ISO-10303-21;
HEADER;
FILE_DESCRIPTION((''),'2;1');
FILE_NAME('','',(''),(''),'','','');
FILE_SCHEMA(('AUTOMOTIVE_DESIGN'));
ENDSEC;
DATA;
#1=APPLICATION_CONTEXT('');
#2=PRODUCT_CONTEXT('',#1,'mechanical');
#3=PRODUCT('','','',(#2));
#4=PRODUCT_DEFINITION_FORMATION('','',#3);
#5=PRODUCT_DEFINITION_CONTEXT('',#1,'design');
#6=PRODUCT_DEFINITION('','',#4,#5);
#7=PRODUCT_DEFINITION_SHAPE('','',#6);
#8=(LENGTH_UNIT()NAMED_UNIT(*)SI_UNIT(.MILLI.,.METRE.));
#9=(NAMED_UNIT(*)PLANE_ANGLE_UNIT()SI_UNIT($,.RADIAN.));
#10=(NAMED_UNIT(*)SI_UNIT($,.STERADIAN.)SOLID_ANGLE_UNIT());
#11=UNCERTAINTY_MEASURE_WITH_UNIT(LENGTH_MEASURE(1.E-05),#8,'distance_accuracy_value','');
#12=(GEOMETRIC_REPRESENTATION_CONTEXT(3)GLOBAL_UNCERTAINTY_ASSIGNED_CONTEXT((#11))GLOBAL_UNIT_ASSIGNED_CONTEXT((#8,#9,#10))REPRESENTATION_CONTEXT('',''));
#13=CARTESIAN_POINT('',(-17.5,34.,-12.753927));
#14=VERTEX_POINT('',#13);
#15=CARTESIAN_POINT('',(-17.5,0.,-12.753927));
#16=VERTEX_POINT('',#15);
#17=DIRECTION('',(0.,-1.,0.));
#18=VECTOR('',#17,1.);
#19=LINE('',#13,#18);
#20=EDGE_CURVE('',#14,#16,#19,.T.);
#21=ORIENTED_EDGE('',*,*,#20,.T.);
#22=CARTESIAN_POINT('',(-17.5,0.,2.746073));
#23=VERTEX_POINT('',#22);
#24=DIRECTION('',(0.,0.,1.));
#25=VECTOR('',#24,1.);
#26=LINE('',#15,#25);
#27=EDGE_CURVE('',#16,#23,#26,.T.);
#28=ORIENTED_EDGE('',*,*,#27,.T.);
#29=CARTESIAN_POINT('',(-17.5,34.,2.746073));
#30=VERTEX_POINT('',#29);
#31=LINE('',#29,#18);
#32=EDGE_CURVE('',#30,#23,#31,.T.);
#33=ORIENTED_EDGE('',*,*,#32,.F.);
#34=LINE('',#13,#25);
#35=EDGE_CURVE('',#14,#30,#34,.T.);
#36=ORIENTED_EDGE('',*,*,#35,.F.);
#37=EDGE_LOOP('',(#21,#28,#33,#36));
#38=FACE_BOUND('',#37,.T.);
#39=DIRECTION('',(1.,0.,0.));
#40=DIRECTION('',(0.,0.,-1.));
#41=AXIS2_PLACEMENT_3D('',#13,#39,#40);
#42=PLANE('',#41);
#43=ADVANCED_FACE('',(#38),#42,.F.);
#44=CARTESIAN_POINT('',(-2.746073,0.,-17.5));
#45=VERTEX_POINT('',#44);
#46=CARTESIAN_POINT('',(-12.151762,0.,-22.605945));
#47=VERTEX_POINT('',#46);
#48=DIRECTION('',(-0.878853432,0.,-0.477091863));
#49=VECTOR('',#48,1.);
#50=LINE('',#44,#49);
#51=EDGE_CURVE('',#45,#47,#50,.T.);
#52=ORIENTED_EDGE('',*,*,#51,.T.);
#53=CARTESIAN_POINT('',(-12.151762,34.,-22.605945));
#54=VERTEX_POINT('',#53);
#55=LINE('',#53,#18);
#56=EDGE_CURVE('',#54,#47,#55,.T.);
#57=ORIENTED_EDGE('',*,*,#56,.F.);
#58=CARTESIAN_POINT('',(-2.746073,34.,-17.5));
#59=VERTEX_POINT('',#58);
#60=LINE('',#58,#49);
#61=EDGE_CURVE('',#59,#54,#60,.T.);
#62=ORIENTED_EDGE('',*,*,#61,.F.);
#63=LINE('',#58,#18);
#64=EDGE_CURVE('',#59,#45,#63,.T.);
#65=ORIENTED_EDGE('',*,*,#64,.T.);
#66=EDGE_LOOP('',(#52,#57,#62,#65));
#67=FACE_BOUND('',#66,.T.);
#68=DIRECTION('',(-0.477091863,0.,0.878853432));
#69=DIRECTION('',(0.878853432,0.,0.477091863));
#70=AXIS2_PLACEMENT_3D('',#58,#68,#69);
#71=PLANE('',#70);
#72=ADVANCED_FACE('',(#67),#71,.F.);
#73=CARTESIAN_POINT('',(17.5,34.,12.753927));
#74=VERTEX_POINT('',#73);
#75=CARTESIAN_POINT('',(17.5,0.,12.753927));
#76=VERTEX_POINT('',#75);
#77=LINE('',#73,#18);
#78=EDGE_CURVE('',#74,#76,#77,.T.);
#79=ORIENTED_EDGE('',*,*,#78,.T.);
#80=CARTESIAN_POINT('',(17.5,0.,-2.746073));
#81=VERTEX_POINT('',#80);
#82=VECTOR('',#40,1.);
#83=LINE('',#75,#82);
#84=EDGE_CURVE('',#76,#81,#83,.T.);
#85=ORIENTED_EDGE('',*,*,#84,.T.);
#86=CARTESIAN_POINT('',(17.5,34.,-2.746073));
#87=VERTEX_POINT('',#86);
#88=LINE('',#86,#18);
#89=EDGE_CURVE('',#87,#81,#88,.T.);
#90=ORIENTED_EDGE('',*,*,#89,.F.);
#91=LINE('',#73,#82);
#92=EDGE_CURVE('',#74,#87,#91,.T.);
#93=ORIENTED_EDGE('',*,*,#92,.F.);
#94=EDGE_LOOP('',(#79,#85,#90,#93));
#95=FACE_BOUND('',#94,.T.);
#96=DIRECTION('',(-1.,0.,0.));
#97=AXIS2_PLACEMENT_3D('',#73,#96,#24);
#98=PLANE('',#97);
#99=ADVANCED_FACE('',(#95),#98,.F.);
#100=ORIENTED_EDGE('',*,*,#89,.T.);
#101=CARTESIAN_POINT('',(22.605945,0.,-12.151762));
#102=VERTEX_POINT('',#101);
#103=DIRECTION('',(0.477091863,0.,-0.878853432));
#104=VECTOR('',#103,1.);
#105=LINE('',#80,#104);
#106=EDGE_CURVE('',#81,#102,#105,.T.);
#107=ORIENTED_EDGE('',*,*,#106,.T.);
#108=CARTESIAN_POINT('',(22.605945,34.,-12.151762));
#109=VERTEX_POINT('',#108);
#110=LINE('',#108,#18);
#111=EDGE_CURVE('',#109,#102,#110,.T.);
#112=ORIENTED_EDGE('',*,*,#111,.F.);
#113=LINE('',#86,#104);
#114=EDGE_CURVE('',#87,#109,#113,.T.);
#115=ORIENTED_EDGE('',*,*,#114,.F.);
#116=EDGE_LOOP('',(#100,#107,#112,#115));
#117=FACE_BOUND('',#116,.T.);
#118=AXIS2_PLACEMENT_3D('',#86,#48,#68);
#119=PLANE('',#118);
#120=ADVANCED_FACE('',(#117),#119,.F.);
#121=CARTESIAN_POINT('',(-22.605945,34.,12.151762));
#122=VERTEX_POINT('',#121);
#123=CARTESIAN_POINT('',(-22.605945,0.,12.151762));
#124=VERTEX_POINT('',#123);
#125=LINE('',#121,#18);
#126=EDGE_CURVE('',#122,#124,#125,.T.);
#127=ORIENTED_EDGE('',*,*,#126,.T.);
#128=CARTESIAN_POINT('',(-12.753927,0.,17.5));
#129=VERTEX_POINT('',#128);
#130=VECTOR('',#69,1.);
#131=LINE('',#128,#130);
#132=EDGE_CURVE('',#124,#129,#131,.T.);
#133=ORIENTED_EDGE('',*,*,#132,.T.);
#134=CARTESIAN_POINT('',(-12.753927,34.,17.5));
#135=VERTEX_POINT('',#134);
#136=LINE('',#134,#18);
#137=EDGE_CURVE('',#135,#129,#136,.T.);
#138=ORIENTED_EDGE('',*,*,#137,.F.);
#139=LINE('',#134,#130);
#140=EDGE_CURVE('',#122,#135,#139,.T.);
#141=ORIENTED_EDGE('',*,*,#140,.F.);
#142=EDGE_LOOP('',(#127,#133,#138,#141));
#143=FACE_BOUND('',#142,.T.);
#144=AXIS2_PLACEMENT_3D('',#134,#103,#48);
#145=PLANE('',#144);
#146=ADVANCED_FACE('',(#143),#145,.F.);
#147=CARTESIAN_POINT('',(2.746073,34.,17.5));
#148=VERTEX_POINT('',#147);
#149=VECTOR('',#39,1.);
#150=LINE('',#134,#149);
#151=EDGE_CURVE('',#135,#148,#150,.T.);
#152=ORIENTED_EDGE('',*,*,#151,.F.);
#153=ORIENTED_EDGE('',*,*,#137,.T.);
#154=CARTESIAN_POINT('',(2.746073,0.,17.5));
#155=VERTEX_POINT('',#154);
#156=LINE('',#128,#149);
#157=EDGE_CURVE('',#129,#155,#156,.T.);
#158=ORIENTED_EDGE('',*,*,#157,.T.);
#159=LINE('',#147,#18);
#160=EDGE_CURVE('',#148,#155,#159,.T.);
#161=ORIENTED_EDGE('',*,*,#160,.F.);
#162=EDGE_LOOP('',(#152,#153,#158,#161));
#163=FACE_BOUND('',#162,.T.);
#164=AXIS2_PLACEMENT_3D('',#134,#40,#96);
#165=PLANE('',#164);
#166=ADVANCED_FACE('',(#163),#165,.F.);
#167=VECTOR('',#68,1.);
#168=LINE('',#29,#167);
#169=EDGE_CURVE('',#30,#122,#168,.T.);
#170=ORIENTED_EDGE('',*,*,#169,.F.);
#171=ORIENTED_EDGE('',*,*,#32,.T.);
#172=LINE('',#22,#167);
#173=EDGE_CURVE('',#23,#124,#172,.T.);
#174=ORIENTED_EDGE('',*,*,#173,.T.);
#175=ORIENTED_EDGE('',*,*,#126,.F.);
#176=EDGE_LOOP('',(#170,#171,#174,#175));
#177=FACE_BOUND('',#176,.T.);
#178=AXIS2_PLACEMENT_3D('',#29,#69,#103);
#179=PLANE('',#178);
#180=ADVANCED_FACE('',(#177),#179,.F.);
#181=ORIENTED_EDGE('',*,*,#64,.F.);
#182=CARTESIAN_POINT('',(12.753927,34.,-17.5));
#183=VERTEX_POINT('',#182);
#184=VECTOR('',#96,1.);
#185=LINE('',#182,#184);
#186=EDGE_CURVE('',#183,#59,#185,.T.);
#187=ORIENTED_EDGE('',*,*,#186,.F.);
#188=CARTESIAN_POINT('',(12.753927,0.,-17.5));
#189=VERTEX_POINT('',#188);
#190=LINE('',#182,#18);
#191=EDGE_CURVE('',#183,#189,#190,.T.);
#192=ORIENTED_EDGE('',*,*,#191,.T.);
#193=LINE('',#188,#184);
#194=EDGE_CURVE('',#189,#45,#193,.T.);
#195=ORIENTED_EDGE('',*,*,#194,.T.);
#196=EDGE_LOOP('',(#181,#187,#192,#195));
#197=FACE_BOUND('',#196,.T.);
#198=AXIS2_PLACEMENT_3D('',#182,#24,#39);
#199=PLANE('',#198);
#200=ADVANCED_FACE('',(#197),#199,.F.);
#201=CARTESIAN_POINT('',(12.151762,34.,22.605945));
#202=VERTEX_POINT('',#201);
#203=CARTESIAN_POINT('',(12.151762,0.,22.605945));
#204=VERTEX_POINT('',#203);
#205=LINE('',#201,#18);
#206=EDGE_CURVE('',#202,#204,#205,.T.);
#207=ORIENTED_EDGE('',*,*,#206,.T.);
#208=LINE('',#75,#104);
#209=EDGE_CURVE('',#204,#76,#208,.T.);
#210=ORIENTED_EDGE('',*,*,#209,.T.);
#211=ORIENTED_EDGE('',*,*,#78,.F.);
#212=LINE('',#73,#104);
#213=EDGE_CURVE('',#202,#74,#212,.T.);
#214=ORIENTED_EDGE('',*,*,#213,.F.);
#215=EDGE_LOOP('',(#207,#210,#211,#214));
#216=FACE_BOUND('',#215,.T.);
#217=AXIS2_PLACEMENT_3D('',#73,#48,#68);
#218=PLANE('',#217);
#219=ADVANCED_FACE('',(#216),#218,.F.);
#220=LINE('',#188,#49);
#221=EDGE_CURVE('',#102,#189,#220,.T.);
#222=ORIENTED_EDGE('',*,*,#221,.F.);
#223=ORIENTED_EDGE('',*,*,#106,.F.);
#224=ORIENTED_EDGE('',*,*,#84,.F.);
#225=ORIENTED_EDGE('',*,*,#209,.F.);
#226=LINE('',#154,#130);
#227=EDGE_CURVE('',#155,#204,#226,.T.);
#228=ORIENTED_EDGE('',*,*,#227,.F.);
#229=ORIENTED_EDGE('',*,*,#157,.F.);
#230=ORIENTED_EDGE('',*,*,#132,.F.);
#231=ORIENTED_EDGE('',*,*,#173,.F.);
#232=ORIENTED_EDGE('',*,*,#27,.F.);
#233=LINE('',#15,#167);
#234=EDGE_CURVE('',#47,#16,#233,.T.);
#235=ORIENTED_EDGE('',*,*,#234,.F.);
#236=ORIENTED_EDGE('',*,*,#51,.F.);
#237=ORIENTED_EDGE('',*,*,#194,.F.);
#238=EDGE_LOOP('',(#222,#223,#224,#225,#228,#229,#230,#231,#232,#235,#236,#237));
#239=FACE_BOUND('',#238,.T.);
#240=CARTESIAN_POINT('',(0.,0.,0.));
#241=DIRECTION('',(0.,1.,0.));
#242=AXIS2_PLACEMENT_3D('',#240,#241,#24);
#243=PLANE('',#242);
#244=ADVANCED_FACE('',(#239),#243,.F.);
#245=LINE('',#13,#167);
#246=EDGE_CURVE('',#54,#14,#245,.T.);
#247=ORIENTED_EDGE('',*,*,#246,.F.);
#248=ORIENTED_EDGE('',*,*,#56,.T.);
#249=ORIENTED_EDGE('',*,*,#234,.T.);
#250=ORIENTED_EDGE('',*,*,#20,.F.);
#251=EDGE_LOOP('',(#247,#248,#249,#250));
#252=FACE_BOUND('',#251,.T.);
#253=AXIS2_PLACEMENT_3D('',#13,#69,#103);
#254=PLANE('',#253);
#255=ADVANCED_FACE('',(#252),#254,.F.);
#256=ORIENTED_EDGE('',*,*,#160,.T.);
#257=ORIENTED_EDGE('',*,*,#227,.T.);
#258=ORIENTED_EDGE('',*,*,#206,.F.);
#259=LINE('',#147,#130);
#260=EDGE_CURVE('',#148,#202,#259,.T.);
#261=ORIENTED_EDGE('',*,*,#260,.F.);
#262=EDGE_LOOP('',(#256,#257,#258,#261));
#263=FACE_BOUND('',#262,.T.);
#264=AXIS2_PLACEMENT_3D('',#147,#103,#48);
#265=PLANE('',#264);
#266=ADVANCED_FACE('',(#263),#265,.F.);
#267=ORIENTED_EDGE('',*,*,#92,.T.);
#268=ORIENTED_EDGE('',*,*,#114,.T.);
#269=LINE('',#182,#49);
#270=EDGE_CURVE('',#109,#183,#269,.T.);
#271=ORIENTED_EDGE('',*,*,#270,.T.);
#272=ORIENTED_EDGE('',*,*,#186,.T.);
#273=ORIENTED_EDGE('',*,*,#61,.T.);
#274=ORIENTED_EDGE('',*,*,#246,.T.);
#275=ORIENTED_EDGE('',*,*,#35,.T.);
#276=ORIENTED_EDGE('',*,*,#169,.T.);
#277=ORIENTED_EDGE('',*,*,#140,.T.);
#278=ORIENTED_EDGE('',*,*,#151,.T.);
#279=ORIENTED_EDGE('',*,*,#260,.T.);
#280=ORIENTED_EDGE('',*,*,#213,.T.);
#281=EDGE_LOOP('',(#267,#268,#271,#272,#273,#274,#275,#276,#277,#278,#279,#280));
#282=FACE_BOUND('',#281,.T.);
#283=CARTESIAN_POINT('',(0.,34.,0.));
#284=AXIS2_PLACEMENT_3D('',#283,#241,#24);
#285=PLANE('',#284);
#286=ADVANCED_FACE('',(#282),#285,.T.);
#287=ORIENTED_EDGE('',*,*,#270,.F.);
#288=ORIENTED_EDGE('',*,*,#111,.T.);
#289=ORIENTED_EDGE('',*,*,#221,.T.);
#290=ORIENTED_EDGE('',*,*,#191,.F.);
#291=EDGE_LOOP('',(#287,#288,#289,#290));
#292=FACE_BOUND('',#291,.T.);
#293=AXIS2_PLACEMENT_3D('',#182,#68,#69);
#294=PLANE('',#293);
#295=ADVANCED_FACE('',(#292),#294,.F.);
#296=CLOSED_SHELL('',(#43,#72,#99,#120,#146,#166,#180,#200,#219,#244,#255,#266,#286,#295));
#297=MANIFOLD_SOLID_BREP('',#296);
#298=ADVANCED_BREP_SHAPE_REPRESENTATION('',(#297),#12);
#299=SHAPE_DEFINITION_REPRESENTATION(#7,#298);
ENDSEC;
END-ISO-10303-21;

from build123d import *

# Parameters (mm, degrees)
BOSS_EXTRUDE1_DEPTH = 34


with BuildPart() as part:
    # Sketch1 → Boss-Extrude1 (new body)
    with BuildSketch(Plane(origin=(0, 0, 0), x_dir=(1, 0, 0), z_dir=(0, 1, 0))):
        Polygon((-17.5, 12.753927132), (-12.151761569, 22.605945295), (-2.746072868, 17.5), (12.753927132, 17.5), (22.605945295, 12.151761569), (17.5, 2.746072868), (17.5, -12.753927132), (12.151761569, -22.605945295), (2.746072868, -17.5), (-12.753927132, -17.5), (-22.605945295, -12.151761569), (-17.5, -2.746072868), align=None)
    extrude(amount=BOSS_EXTRUDE1_DEPTH)


solid = part.part
